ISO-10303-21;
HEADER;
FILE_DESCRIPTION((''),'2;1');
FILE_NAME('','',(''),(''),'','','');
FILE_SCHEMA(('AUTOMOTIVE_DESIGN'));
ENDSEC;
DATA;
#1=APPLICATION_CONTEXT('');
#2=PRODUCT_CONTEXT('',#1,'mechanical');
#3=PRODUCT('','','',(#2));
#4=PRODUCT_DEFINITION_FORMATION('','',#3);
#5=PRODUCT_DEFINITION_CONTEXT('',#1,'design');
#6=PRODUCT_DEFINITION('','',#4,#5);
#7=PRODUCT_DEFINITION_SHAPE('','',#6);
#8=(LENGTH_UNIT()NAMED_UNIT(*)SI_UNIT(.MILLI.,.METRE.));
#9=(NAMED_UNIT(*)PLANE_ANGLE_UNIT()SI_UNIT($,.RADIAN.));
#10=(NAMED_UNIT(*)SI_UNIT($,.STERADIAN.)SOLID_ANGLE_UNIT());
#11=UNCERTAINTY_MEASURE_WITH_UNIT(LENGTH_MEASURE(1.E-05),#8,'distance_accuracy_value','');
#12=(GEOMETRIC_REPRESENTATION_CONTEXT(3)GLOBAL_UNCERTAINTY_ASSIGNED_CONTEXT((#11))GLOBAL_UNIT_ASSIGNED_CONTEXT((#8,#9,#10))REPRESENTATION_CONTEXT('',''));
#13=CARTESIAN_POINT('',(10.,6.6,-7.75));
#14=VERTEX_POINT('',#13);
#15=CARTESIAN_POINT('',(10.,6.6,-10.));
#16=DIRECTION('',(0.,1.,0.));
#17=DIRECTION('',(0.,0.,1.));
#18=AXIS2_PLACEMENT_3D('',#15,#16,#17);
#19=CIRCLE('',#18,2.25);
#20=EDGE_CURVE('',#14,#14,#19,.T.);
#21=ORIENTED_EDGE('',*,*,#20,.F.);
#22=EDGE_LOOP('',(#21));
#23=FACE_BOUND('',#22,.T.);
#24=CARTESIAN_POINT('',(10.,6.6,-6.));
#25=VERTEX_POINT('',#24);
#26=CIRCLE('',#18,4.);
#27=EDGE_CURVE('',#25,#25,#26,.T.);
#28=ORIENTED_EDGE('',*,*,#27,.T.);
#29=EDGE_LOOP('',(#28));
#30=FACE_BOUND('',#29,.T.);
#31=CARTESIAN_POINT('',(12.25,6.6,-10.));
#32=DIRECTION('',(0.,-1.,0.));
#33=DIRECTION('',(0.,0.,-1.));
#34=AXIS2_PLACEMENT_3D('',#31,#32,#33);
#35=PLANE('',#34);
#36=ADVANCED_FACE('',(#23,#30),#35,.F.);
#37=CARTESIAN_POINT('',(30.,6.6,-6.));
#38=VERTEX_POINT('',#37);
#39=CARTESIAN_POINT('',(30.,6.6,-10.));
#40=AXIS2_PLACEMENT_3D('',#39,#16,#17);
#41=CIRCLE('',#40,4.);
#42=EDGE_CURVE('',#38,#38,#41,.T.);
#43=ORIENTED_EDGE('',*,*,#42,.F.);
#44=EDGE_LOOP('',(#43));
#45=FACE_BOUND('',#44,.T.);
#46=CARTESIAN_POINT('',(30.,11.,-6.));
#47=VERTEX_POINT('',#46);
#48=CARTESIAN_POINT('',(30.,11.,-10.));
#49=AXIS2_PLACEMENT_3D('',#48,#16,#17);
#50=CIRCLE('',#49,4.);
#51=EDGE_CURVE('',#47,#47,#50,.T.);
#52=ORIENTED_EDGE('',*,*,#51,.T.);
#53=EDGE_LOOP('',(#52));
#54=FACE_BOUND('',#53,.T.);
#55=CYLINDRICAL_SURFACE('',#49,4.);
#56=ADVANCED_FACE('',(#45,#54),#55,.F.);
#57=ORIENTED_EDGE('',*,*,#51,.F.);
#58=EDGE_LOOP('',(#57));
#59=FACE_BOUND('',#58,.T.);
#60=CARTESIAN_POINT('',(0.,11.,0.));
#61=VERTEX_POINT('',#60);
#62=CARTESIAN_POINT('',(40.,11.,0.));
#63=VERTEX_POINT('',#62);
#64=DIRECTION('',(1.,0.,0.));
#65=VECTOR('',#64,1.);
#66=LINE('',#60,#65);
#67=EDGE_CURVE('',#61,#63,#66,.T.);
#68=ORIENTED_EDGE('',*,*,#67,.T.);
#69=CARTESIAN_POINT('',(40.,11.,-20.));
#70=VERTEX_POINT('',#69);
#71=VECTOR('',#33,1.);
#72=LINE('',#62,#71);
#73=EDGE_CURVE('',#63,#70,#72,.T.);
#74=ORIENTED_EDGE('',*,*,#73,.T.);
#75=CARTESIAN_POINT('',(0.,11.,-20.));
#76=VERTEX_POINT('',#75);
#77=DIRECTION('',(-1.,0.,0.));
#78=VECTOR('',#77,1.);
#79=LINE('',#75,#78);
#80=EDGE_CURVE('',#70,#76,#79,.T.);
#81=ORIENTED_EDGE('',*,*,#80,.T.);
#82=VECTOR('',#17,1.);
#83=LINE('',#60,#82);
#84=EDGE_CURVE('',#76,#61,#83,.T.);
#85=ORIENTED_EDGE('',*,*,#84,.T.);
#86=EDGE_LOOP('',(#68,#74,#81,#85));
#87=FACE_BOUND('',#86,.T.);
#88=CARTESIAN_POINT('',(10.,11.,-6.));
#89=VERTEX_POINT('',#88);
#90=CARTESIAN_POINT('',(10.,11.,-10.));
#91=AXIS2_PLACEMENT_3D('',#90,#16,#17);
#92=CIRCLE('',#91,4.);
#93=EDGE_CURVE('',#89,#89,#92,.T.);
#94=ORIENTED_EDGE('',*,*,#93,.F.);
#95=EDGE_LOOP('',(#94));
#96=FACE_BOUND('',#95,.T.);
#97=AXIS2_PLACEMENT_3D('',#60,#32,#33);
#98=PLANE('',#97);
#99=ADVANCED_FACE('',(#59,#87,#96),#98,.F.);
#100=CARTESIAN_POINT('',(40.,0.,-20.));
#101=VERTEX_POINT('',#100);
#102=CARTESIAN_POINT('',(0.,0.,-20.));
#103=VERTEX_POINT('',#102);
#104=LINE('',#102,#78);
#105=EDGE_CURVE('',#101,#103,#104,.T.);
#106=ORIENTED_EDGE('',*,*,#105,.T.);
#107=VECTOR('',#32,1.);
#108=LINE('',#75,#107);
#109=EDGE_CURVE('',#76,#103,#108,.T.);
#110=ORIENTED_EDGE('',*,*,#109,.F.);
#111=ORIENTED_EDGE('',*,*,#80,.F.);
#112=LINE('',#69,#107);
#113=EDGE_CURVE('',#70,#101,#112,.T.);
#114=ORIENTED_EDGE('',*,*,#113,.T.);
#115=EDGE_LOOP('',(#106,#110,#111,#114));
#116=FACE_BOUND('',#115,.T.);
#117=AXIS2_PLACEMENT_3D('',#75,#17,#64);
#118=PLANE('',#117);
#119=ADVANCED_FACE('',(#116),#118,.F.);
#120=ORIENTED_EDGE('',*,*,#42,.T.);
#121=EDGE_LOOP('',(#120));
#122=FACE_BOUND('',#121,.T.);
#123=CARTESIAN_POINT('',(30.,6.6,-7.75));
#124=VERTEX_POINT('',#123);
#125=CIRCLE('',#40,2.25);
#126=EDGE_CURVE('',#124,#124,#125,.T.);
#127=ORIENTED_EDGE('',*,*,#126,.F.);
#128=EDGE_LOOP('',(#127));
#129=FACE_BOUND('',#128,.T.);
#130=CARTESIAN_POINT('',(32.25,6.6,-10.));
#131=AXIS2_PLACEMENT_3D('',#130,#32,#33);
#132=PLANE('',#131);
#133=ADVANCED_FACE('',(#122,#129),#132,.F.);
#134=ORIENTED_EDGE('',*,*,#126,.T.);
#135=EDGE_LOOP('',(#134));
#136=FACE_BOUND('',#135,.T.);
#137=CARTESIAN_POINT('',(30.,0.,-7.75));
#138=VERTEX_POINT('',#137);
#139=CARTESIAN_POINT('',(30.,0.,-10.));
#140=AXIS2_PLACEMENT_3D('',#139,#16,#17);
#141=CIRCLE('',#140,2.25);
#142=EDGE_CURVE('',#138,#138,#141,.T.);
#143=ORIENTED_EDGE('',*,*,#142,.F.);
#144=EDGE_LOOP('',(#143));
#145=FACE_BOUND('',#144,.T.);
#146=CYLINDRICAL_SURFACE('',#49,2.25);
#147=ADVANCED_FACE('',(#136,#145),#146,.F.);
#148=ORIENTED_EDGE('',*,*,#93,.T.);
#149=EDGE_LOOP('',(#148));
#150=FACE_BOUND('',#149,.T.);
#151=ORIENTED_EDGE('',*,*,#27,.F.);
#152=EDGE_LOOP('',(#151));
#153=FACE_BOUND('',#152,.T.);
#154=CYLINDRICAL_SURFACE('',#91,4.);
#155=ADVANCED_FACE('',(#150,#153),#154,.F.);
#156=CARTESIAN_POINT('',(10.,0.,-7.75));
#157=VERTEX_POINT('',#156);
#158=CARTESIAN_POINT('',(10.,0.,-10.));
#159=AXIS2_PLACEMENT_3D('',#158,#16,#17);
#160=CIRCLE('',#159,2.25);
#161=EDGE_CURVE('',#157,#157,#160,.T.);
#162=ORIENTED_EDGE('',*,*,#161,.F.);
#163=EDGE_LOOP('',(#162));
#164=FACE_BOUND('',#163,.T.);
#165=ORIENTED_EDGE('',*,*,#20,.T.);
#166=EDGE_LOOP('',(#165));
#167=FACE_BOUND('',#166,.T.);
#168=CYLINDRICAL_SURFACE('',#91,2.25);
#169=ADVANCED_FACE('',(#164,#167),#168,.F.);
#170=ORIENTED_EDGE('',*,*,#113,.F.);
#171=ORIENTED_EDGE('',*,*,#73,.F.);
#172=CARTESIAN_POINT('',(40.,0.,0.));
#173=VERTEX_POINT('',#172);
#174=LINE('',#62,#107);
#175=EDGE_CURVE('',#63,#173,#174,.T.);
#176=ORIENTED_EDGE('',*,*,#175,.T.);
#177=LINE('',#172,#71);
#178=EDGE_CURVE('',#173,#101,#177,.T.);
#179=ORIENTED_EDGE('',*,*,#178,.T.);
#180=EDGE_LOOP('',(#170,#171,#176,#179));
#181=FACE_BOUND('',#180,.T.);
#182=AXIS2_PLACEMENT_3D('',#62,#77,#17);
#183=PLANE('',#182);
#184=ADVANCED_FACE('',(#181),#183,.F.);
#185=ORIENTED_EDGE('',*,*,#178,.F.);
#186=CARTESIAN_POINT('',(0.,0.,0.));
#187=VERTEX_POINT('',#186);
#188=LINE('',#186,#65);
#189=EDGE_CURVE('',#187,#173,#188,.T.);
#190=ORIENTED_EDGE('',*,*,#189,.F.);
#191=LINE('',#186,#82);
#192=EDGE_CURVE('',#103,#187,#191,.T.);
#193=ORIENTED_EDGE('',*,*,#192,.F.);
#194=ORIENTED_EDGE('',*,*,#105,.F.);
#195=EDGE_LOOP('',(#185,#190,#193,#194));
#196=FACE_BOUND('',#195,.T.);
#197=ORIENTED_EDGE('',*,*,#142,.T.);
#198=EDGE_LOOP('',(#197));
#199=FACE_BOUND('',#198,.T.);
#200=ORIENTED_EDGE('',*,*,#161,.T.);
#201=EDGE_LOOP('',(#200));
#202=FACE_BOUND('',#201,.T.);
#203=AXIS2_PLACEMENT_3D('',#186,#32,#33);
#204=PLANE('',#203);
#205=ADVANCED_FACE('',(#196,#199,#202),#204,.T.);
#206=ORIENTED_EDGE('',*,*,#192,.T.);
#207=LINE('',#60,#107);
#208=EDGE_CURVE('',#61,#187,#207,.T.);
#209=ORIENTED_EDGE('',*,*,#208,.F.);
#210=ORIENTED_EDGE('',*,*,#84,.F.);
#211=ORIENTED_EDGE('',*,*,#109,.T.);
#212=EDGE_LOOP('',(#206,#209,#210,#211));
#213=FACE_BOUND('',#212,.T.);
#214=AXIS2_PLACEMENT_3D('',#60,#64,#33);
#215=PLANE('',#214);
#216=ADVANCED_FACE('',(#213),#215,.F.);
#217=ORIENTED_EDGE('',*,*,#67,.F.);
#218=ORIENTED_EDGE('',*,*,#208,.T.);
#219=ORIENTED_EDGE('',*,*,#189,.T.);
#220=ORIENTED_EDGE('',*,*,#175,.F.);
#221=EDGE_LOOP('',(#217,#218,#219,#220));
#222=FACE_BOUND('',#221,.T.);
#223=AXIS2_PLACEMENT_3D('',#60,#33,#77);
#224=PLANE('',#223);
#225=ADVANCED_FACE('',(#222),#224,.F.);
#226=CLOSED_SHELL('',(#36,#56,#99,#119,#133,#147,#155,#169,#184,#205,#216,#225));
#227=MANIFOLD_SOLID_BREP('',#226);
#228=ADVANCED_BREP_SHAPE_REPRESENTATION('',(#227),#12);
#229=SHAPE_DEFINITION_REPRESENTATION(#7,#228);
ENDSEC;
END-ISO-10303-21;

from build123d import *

# Parameters (mm, degrees)
SKETCH1_W                                           = 40
SKETCH1_H                                           = 20
BOSS_EXTRUDE1_DEPTH                                 = 11
CBORE_FOR_M4_HEX_SOCKET_HEAD_CAP_SCREW1_D           = 4.5
CBORE_FOR_M4_HEX_SOCKET_HEAD_CAP_SCREW1_CBORE_D     = 8
CBORE_FOR_M4_HEX_SOCKET_HEAD_CAP_SCREW1_CBORE_DEPTH = 4.4


with BuildPart() as part:
    # Sketch1 → Boss-Extrude1 (new body)
    with BuildSketch(Plane(origin=(0, 0, 0), x_dir=(1, 0, 0), z_dir=(0, 1, 0))):
        with Locations((20, 10)):
            Rectangle(SKETCH1_W, SKETCH1_H)
    extrude(amount=BOSS_EXTRUDE1_DEPTH)

    # CBORE for M4 Hex Socket Head Cap Screw1 (through all)
    with Locations(Plane(origin=(0, 11, 0), x_dir=(1, 0, 0), z_dir=(0, 1, 0))):
        with Locations((10, 10), (30, 10)):
            CounterBoreHole(CBORE_FOR_M4_HEX_SOCKET_HEAD_CAP_SCREW1_D / 2, CBORE_FOR_M4_HEX_SOCKET_HEAD_CAP_SCREW1_CBORE_D / 2, CBORE_FOR_M4_HEX_SOCKET_HEAD_CAP_SCREW1_CBORE_DEPTH)


solid = part.part
